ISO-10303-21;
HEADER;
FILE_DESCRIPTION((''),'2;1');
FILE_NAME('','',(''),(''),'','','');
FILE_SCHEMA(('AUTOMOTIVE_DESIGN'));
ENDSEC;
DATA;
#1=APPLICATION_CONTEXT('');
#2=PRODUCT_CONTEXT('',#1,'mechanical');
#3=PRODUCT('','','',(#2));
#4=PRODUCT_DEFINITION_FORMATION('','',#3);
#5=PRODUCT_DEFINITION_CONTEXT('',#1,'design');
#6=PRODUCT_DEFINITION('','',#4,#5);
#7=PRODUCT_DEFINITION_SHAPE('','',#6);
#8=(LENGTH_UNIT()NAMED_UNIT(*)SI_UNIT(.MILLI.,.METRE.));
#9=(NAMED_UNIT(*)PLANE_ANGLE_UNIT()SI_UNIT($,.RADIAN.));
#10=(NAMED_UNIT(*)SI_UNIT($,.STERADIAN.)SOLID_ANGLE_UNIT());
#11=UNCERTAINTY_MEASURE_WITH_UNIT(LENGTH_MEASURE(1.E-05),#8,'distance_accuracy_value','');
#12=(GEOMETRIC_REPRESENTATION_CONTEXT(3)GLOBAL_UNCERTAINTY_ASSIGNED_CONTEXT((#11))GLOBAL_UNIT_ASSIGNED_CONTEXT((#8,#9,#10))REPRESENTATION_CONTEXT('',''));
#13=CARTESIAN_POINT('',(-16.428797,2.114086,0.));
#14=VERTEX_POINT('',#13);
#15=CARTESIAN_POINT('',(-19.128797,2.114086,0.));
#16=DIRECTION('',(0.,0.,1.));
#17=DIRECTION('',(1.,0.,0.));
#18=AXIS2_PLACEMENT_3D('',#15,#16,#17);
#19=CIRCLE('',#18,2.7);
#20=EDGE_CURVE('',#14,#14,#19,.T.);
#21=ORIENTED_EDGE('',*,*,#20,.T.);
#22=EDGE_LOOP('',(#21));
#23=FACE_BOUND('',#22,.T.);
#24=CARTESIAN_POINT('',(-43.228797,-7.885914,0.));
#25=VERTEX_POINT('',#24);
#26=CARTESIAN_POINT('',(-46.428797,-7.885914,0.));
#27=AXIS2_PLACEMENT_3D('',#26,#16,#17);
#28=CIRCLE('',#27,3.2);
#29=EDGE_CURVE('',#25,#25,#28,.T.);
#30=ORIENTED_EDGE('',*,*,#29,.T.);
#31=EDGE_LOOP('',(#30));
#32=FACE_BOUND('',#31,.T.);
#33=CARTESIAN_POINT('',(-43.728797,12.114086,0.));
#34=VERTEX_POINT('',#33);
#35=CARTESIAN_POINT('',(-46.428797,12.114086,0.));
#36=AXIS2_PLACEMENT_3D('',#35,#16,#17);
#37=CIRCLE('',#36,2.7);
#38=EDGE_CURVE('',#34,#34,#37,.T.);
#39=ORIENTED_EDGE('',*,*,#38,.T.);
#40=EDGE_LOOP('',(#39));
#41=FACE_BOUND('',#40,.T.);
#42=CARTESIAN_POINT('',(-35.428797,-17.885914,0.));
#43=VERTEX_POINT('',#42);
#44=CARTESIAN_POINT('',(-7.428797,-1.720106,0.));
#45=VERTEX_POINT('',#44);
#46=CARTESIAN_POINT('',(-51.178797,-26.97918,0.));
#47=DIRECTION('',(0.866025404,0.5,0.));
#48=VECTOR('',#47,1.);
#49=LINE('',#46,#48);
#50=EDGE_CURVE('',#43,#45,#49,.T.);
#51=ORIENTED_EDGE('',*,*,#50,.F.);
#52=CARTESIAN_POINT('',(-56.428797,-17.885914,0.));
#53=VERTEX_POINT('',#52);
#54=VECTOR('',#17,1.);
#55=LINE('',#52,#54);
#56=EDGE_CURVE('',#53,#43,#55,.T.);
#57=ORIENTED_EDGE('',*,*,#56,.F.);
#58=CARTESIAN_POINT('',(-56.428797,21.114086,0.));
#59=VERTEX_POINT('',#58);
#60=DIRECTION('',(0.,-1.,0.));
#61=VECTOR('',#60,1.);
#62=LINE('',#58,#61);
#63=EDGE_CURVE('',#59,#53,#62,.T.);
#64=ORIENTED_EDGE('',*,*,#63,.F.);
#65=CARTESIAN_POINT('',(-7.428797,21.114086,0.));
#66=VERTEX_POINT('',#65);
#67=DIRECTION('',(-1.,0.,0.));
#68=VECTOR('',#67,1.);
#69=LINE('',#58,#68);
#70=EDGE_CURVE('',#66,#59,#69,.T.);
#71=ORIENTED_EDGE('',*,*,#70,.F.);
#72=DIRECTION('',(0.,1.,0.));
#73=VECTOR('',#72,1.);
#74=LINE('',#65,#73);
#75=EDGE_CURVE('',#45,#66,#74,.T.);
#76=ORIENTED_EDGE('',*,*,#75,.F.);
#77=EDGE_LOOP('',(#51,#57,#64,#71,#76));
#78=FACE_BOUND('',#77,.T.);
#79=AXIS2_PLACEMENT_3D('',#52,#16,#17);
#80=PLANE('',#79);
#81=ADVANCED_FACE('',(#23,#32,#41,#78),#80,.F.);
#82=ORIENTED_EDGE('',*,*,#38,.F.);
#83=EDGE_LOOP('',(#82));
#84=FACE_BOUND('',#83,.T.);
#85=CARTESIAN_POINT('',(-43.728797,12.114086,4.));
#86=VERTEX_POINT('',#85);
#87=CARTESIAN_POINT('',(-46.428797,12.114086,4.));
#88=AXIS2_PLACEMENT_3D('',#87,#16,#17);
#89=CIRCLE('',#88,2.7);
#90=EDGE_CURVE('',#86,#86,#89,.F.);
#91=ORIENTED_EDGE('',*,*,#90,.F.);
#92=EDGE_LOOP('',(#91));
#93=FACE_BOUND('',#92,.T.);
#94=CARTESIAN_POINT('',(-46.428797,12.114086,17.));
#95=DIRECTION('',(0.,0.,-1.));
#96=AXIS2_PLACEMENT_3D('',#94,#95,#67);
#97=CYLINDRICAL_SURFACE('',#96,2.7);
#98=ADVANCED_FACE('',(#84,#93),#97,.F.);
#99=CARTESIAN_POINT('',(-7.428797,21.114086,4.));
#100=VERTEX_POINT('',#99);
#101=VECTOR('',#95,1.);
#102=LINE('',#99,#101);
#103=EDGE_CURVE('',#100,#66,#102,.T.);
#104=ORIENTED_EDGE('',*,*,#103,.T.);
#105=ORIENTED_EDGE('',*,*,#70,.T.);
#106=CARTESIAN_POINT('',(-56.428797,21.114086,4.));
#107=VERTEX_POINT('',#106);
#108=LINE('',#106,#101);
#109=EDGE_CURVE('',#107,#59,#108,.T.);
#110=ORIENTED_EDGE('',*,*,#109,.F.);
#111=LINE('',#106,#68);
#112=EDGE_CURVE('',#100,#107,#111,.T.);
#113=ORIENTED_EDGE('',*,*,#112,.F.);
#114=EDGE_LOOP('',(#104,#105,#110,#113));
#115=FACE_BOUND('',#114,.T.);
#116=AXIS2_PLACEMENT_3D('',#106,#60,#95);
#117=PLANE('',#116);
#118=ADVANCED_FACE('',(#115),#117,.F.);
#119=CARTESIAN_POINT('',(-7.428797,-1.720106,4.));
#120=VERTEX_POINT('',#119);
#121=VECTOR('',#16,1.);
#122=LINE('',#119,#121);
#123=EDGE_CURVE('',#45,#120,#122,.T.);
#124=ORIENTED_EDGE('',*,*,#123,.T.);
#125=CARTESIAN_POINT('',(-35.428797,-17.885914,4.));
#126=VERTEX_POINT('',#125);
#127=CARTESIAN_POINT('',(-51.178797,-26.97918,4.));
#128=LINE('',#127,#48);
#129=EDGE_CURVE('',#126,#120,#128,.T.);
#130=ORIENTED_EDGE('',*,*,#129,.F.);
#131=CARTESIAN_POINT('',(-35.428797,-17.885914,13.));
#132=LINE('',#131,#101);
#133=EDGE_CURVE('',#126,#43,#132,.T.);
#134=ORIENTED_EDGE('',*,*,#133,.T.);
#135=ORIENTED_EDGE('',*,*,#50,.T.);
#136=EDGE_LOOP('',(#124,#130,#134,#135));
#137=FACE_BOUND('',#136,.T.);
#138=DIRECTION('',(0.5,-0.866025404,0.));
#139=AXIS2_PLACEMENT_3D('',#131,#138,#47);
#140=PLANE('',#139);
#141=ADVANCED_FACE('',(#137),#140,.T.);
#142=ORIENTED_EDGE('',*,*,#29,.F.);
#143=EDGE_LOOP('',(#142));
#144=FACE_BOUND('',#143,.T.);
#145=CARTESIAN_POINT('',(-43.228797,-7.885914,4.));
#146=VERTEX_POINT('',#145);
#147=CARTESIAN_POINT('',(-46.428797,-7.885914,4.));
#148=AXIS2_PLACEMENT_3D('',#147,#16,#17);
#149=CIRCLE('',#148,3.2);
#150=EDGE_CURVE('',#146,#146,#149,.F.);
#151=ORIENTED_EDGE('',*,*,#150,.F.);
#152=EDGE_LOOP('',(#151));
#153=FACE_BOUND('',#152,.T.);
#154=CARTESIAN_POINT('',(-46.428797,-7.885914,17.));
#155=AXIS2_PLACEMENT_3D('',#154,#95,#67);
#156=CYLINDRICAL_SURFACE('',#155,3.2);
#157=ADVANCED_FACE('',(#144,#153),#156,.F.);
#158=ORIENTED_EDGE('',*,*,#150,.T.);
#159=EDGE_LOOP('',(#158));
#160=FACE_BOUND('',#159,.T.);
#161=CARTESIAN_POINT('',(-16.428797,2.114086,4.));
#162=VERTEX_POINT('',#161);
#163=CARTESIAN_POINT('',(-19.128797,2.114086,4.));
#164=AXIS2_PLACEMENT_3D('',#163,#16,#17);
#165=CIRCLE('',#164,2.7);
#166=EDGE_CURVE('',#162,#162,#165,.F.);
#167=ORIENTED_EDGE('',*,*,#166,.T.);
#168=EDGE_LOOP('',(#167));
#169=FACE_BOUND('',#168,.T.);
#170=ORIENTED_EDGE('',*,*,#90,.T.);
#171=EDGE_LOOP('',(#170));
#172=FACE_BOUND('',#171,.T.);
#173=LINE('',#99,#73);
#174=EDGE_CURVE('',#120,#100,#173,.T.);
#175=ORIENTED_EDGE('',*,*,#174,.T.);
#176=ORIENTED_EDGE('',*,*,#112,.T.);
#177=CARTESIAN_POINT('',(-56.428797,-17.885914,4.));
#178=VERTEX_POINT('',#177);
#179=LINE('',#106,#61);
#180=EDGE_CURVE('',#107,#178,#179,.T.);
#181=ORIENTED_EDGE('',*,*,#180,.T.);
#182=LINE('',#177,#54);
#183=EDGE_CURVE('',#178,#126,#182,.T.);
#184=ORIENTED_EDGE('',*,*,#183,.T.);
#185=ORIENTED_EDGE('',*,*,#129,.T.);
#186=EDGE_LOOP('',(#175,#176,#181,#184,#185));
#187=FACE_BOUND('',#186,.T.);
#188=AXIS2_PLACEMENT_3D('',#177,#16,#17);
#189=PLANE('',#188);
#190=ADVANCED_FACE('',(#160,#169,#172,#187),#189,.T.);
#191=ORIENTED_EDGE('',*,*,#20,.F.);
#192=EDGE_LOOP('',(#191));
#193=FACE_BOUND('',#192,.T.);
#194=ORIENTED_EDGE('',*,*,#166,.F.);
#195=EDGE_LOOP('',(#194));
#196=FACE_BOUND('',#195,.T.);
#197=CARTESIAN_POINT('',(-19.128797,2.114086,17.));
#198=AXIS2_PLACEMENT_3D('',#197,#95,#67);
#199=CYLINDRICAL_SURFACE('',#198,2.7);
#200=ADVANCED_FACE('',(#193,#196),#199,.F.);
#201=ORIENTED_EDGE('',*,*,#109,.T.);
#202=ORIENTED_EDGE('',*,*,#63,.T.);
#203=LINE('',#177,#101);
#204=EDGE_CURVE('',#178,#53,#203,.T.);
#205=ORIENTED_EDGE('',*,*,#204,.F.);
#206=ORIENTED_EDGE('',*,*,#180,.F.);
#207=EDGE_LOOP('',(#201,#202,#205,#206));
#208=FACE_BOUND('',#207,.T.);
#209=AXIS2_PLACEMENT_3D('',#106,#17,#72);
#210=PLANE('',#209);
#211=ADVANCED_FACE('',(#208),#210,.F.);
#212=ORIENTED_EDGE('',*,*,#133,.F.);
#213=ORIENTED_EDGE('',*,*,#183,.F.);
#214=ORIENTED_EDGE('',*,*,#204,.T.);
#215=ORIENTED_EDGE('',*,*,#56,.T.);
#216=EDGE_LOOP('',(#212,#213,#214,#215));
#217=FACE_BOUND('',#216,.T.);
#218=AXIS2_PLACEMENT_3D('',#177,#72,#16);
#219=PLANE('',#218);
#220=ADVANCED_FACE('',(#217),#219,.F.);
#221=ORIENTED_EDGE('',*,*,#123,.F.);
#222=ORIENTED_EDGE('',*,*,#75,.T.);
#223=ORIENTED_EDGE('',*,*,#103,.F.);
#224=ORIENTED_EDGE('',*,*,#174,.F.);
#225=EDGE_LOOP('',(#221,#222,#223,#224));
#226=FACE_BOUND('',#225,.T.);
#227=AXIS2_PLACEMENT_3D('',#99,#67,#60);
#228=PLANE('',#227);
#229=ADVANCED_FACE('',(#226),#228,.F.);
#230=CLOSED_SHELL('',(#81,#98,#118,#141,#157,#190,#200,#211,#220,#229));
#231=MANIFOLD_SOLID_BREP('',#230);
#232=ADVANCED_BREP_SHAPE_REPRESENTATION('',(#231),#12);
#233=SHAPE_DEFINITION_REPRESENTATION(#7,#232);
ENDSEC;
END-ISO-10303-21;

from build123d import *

# Parameters (mm, degrees)
SKETCH_1_W          = 49
SKETCH_1_H          = 39
EXTRUDE_1_DEPTH     = 4
CUT_EXTRUDE_1_DEPTH = 13
SKETCH_4_R          = 2.7
CUT_EXTRUDE_2_DEPTH = 17
SKETCH_5_R          = 2.7
SKETCH_5_R_2        = 3.2
CUT_EXTRUDE_3_DEPTH = 17


with BuildPart() as part:
    # 草图1 → 凸台-拉伸1 (new body)
    with BuildSketch(Plane.XY):
        with Locations((-31.928797257, 1.614086391)):
            Rectangle(SKETCH_1_W, SKETCH_1_H)
    extrude(amount=EXTRUDE_1_DEPTH)

    # 草图2 → 切除-拉伸1 (cut)
    with BuildSketch(Plane.XY):
        Polygon((-7.428797257, -17.885913609), (-35.428797257, -17.885913609), (5.926023005, 5.990303001), align=None)
    extrude(amount=CUT_EXTRUDE_1_DEPTH, mode=Mode.SUBTRACT)

    # 草图4 → 切除-拉伸2 (cut)
    with BuildSketch(Plane.XY):
        with Locations((-19.128797257, 2.114086391)):
            Circle(SKETCH_4_R)
    extrude(amount=CUT_EXTRUDE_2_DEPTH, mode=Mode.SUBTRACT)

    # 草图5 → 切除-拉伸3 (cut)
    with BuildSketch(Plane.XY):
        with Locations((-46.428797257, 12.114086391)):
            Circle(SKETCH_5_R)
        with Locations((-46.428797257, -7.885913609)):
            Circle(SKETCH_5_R_2)
    extrude(amount=CUT_EXTRUDE_3_DEPTH, mode=Mode.SUBTRACT)


solid = part.part
